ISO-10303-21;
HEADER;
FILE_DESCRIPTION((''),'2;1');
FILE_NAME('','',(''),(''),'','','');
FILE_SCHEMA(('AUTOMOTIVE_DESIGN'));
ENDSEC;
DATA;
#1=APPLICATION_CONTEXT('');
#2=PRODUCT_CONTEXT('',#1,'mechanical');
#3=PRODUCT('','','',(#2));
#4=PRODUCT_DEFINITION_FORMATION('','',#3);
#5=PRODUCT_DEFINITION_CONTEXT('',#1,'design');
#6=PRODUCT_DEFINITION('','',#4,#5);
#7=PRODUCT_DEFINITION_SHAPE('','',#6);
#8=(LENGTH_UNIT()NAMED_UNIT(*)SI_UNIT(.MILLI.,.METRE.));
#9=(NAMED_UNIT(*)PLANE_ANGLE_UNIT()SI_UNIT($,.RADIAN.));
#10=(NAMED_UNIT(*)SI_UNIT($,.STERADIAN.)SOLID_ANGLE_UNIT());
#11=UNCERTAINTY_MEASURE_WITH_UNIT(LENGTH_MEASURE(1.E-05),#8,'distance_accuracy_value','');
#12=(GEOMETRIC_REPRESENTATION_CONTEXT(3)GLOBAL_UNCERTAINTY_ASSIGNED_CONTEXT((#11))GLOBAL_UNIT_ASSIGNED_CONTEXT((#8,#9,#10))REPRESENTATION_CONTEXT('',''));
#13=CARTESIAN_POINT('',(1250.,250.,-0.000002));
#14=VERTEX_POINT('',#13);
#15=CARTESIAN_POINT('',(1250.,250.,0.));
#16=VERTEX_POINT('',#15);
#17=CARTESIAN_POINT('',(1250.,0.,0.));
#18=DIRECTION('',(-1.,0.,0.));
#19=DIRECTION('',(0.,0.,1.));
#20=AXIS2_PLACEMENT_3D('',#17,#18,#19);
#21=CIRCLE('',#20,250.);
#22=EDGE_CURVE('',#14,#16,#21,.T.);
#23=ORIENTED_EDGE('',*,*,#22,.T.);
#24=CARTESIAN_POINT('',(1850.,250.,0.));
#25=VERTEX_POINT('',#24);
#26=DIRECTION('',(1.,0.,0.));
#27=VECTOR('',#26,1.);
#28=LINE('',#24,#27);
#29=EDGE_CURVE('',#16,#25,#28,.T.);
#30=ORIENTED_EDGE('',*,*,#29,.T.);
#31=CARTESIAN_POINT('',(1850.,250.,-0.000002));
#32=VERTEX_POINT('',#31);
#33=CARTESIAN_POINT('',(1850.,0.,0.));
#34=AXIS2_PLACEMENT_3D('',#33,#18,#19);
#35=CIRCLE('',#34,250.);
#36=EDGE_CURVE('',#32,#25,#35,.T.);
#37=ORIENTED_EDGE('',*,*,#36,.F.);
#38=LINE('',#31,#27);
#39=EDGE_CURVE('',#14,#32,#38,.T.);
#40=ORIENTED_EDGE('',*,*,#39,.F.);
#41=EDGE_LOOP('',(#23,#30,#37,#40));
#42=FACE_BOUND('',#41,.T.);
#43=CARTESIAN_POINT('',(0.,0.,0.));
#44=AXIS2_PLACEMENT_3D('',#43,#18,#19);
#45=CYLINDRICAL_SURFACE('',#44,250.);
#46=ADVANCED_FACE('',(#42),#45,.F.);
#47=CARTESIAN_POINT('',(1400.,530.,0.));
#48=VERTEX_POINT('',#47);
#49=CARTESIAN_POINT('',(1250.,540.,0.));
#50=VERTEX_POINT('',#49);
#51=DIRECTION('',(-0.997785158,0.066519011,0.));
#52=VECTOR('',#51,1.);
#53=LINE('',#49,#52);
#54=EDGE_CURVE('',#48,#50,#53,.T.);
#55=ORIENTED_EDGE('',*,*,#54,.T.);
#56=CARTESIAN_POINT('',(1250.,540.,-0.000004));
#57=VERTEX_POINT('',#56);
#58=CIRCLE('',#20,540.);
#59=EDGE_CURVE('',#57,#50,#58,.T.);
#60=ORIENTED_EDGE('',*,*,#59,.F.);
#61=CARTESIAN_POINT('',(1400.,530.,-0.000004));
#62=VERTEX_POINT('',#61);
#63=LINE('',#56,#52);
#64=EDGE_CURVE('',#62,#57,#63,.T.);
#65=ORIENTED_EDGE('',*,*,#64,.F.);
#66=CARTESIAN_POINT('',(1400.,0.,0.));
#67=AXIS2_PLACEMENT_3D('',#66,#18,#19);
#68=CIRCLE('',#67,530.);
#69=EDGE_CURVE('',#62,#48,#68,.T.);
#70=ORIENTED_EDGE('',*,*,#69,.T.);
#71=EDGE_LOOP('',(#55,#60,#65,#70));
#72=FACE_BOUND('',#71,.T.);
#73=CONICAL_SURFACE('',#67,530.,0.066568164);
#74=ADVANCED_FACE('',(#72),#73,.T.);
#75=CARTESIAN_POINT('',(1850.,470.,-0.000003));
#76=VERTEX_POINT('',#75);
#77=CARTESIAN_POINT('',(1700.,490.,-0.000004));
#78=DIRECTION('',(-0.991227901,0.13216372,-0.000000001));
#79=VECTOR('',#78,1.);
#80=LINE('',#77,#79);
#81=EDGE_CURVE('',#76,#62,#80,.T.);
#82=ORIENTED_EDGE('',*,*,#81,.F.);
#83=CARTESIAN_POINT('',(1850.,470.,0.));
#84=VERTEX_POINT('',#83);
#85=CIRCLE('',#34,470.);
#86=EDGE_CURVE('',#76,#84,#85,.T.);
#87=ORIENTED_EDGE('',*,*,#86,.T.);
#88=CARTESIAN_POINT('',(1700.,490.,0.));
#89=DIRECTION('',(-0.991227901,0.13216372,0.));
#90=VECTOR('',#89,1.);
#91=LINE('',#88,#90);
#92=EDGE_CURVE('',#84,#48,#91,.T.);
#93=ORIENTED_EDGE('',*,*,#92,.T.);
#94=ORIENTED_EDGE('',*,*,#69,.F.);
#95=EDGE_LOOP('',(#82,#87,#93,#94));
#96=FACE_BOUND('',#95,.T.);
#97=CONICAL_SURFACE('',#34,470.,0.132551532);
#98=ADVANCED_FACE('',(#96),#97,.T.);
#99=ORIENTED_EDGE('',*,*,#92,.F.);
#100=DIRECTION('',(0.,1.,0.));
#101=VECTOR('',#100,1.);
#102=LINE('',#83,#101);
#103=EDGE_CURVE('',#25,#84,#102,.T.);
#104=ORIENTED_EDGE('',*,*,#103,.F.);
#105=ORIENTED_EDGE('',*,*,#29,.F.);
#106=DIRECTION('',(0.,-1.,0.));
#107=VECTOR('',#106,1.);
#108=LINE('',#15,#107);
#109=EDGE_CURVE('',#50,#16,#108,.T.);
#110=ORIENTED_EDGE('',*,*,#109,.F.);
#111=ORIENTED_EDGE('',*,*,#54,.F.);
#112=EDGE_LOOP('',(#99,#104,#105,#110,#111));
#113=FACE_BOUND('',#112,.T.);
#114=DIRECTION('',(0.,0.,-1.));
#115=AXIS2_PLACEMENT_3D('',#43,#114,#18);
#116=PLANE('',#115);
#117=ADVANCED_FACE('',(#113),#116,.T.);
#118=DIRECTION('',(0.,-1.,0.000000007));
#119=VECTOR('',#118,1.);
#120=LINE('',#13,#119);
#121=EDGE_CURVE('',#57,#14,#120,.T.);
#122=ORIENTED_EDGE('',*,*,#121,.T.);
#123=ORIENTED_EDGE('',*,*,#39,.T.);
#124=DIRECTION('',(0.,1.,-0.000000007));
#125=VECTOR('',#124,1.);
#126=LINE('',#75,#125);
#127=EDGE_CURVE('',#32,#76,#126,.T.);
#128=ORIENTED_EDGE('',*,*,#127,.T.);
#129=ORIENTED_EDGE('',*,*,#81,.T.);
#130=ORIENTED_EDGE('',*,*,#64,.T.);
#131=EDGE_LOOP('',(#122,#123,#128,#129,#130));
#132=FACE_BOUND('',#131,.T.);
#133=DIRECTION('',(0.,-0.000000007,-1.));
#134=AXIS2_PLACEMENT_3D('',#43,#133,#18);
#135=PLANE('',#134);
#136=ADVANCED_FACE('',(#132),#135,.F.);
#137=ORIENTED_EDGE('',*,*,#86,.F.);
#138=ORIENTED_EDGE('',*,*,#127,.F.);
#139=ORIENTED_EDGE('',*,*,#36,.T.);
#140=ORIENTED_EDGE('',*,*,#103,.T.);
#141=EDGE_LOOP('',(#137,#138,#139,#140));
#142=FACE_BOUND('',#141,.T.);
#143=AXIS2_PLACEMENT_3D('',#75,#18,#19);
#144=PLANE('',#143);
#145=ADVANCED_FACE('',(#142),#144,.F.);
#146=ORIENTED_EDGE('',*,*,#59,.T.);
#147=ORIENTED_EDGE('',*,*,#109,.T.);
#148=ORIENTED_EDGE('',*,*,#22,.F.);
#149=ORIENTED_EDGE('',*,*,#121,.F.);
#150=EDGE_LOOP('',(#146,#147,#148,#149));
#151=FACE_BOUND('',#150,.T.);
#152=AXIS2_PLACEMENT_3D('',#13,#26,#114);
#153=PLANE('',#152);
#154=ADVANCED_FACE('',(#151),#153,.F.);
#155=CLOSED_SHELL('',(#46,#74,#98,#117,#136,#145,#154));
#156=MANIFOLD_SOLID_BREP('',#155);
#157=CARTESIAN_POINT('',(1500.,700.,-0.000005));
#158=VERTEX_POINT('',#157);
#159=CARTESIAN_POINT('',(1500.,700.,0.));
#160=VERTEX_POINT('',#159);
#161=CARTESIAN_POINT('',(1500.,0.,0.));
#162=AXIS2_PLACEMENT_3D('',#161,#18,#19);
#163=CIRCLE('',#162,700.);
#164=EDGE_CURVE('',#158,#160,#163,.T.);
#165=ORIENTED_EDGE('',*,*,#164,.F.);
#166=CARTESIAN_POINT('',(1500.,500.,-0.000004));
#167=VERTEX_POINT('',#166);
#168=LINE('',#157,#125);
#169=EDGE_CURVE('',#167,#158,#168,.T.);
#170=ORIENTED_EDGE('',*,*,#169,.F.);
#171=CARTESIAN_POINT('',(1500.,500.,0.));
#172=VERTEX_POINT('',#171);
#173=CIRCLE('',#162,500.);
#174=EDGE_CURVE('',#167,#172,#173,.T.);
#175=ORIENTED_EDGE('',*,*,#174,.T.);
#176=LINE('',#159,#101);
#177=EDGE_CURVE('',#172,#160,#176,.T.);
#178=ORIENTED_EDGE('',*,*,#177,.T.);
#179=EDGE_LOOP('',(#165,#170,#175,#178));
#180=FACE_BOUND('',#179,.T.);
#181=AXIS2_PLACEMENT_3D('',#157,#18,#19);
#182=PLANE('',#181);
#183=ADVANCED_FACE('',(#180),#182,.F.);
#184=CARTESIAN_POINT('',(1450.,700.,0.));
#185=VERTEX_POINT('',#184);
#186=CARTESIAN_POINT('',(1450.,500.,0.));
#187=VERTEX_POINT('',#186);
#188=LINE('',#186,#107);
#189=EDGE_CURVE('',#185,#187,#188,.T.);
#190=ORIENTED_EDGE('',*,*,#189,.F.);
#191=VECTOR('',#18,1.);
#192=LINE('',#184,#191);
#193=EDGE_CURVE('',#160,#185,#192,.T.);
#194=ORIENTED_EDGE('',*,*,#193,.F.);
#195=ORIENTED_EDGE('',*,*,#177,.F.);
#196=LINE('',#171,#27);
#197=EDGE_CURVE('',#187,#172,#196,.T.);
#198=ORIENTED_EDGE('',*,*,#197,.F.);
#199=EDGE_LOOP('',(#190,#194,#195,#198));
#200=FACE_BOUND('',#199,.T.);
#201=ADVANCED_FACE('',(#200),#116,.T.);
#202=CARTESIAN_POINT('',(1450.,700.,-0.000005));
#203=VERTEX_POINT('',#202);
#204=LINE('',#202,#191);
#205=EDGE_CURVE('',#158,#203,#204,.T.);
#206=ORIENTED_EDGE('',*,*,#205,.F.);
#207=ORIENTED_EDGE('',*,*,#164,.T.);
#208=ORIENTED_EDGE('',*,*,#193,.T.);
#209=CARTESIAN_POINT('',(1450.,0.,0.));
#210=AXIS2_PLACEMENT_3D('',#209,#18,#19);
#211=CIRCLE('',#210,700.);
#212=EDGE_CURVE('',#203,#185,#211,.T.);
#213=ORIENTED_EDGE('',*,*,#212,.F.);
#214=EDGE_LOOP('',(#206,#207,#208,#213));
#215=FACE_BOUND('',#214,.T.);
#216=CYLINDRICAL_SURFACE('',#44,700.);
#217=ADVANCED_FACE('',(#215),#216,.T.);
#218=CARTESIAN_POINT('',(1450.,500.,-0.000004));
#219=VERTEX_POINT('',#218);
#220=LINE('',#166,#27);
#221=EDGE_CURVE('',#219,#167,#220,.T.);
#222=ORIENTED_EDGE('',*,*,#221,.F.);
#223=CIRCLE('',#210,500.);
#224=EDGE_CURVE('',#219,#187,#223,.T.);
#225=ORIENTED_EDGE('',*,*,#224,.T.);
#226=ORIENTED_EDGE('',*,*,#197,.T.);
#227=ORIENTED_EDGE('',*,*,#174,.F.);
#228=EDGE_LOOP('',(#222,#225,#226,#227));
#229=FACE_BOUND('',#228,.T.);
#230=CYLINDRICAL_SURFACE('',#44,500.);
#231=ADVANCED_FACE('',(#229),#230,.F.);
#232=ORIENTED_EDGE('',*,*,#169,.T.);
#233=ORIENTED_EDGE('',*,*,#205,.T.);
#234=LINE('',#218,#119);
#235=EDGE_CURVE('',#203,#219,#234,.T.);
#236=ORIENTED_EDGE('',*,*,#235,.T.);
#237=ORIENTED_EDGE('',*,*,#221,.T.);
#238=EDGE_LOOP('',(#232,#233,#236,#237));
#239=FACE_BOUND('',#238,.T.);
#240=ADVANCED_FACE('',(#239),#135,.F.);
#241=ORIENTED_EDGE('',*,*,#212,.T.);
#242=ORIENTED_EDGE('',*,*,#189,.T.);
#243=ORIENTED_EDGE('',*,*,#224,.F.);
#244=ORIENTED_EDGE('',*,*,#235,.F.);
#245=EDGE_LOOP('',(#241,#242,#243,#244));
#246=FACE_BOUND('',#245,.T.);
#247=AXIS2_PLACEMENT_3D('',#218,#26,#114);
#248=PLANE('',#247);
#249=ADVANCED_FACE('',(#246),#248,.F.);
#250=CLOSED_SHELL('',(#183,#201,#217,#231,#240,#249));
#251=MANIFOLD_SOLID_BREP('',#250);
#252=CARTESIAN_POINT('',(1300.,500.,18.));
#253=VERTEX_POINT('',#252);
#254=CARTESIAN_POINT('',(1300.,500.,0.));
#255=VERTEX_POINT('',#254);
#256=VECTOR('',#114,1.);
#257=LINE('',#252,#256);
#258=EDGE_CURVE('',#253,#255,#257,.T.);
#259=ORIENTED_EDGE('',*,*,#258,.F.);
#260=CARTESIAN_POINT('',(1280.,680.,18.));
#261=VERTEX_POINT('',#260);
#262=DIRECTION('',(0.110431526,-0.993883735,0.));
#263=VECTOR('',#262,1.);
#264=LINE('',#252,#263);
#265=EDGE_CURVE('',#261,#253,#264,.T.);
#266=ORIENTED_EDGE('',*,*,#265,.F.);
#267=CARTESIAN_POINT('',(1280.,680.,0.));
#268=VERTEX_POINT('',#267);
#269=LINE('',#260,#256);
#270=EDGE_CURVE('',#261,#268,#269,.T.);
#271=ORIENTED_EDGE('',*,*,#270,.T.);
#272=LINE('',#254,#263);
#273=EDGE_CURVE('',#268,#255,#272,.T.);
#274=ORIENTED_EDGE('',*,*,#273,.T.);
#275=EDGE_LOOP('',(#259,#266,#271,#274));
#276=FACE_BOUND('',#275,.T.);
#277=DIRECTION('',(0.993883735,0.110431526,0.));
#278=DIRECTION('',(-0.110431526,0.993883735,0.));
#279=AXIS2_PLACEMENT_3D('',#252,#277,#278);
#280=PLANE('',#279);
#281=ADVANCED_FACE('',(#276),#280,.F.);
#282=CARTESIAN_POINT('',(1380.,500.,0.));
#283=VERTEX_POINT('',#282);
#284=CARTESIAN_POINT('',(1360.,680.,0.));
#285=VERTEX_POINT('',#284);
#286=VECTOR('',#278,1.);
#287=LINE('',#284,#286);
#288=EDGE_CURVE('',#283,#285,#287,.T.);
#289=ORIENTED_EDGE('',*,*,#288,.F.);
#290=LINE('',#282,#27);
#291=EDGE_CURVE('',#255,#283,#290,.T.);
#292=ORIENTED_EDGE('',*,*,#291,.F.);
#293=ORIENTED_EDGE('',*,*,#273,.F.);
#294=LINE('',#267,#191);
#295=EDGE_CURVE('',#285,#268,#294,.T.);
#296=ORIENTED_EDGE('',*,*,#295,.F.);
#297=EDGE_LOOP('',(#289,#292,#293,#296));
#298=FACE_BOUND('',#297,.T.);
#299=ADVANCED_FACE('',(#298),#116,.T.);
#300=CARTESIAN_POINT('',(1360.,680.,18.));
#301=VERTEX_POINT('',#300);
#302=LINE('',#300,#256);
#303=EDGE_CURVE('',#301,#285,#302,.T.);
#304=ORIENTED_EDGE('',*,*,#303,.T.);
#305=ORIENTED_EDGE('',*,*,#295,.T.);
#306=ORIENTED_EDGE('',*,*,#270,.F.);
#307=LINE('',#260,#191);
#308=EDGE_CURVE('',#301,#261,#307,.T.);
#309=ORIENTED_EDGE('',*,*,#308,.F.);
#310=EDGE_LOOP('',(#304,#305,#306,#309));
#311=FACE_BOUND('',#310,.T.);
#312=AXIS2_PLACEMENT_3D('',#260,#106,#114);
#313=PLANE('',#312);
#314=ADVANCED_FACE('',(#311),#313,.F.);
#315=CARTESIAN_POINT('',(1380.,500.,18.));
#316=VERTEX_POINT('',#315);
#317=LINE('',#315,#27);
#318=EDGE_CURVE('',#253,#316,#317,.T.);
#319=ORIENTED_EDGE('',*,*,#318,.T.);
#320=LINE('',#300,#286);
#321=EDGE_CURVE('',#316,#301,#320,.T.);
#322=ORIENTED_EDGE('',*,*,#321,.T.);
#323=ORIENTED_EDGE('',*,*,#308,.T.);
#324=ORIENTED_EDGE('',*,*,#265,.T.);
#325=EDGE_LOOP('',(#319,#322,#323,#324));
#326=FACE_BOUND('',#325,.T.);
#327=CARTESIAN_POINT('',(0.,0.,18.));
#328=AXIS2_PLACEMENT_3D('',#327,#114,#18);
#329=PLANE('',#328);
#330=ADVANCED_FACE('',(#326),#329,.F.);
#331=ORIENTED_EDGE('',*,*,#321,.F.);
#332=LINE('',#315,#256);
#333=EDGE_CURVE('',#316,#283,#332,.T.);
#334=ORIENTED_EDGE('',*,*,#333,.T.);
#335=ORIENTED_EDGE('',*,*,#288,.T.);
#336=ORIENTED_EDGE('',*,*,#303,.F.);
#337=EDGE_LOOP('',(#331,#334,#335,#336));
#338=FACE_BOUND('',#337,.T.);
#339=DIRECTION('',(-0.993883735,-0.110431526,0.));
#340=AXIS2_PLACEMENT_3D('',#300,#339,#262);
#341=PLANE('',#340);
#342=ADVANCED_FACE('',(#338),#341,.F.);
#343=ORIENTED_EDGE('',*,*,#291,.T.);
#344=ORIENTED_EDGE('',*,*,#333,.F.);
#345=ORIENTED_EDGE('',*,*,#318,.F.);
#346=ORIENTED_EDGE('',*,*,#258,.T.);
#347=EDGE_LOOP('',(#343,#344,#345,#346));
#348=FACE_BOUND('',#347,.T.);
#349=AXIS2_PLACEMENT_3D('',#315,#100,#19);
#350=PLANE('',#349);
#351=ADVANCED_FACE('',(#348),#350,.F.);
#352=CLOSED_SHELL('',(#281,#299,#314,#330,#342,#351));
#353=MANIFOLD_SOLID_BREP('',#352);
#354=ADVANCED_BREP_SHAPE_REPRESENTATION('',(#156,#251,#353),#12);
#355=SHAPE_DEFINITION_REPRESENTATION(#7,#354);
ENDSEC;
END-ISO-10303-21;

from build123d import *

# Parameters (mm, degrees)
REVOLVE1_ANGLE      = 359.999999589
BOSS_EXTRUDE1_DEPTH = 18
SKETCH3_W           = 50
SKETCH3_H           = 200
REVOLVE2_ANGLE      = 359.999999589


with BuildPart() as part:
    # Sketch1 → Revolve1 (revolve)
    with BuildSketch(Plane.XY):
        Polygon((1250, 250), (1250, 540), (1400, 530), (1550, 510), (1700, 490), (1850, 470), (1850, 250), align=None)
    revolve(axis=Axis((0, 0, 0), (1, 0, 0)), revolution_arc=REVOLVE1_ANGLE)


with BuildPart() as body_2:
    # Sketch2 → Boss-Extrude1 (new body)
    with BuildSketch(Plane.XY):
        Polygon((1300, 500), (1280, 680), (1360, 680), (1380, 500), align=None)
    extrude(amount=BOSS_EXTRUDE1_DEPTH)


with BuildPart() as body_3:
    # Sketch3 → Revolve2 (revolve)
    with BuildSketch(Plane.XY):
        with Locations((1475, 600)):
            Rectangle(SKETCH3_W, SKETCH3_H)
    revolve(axis=Axis((0, 0, 0), (1, 0, 0)), revolution_arc=REVOLVE2_ANGLE)


solid = Compound([part.part, body_2.part, body_3.part])
